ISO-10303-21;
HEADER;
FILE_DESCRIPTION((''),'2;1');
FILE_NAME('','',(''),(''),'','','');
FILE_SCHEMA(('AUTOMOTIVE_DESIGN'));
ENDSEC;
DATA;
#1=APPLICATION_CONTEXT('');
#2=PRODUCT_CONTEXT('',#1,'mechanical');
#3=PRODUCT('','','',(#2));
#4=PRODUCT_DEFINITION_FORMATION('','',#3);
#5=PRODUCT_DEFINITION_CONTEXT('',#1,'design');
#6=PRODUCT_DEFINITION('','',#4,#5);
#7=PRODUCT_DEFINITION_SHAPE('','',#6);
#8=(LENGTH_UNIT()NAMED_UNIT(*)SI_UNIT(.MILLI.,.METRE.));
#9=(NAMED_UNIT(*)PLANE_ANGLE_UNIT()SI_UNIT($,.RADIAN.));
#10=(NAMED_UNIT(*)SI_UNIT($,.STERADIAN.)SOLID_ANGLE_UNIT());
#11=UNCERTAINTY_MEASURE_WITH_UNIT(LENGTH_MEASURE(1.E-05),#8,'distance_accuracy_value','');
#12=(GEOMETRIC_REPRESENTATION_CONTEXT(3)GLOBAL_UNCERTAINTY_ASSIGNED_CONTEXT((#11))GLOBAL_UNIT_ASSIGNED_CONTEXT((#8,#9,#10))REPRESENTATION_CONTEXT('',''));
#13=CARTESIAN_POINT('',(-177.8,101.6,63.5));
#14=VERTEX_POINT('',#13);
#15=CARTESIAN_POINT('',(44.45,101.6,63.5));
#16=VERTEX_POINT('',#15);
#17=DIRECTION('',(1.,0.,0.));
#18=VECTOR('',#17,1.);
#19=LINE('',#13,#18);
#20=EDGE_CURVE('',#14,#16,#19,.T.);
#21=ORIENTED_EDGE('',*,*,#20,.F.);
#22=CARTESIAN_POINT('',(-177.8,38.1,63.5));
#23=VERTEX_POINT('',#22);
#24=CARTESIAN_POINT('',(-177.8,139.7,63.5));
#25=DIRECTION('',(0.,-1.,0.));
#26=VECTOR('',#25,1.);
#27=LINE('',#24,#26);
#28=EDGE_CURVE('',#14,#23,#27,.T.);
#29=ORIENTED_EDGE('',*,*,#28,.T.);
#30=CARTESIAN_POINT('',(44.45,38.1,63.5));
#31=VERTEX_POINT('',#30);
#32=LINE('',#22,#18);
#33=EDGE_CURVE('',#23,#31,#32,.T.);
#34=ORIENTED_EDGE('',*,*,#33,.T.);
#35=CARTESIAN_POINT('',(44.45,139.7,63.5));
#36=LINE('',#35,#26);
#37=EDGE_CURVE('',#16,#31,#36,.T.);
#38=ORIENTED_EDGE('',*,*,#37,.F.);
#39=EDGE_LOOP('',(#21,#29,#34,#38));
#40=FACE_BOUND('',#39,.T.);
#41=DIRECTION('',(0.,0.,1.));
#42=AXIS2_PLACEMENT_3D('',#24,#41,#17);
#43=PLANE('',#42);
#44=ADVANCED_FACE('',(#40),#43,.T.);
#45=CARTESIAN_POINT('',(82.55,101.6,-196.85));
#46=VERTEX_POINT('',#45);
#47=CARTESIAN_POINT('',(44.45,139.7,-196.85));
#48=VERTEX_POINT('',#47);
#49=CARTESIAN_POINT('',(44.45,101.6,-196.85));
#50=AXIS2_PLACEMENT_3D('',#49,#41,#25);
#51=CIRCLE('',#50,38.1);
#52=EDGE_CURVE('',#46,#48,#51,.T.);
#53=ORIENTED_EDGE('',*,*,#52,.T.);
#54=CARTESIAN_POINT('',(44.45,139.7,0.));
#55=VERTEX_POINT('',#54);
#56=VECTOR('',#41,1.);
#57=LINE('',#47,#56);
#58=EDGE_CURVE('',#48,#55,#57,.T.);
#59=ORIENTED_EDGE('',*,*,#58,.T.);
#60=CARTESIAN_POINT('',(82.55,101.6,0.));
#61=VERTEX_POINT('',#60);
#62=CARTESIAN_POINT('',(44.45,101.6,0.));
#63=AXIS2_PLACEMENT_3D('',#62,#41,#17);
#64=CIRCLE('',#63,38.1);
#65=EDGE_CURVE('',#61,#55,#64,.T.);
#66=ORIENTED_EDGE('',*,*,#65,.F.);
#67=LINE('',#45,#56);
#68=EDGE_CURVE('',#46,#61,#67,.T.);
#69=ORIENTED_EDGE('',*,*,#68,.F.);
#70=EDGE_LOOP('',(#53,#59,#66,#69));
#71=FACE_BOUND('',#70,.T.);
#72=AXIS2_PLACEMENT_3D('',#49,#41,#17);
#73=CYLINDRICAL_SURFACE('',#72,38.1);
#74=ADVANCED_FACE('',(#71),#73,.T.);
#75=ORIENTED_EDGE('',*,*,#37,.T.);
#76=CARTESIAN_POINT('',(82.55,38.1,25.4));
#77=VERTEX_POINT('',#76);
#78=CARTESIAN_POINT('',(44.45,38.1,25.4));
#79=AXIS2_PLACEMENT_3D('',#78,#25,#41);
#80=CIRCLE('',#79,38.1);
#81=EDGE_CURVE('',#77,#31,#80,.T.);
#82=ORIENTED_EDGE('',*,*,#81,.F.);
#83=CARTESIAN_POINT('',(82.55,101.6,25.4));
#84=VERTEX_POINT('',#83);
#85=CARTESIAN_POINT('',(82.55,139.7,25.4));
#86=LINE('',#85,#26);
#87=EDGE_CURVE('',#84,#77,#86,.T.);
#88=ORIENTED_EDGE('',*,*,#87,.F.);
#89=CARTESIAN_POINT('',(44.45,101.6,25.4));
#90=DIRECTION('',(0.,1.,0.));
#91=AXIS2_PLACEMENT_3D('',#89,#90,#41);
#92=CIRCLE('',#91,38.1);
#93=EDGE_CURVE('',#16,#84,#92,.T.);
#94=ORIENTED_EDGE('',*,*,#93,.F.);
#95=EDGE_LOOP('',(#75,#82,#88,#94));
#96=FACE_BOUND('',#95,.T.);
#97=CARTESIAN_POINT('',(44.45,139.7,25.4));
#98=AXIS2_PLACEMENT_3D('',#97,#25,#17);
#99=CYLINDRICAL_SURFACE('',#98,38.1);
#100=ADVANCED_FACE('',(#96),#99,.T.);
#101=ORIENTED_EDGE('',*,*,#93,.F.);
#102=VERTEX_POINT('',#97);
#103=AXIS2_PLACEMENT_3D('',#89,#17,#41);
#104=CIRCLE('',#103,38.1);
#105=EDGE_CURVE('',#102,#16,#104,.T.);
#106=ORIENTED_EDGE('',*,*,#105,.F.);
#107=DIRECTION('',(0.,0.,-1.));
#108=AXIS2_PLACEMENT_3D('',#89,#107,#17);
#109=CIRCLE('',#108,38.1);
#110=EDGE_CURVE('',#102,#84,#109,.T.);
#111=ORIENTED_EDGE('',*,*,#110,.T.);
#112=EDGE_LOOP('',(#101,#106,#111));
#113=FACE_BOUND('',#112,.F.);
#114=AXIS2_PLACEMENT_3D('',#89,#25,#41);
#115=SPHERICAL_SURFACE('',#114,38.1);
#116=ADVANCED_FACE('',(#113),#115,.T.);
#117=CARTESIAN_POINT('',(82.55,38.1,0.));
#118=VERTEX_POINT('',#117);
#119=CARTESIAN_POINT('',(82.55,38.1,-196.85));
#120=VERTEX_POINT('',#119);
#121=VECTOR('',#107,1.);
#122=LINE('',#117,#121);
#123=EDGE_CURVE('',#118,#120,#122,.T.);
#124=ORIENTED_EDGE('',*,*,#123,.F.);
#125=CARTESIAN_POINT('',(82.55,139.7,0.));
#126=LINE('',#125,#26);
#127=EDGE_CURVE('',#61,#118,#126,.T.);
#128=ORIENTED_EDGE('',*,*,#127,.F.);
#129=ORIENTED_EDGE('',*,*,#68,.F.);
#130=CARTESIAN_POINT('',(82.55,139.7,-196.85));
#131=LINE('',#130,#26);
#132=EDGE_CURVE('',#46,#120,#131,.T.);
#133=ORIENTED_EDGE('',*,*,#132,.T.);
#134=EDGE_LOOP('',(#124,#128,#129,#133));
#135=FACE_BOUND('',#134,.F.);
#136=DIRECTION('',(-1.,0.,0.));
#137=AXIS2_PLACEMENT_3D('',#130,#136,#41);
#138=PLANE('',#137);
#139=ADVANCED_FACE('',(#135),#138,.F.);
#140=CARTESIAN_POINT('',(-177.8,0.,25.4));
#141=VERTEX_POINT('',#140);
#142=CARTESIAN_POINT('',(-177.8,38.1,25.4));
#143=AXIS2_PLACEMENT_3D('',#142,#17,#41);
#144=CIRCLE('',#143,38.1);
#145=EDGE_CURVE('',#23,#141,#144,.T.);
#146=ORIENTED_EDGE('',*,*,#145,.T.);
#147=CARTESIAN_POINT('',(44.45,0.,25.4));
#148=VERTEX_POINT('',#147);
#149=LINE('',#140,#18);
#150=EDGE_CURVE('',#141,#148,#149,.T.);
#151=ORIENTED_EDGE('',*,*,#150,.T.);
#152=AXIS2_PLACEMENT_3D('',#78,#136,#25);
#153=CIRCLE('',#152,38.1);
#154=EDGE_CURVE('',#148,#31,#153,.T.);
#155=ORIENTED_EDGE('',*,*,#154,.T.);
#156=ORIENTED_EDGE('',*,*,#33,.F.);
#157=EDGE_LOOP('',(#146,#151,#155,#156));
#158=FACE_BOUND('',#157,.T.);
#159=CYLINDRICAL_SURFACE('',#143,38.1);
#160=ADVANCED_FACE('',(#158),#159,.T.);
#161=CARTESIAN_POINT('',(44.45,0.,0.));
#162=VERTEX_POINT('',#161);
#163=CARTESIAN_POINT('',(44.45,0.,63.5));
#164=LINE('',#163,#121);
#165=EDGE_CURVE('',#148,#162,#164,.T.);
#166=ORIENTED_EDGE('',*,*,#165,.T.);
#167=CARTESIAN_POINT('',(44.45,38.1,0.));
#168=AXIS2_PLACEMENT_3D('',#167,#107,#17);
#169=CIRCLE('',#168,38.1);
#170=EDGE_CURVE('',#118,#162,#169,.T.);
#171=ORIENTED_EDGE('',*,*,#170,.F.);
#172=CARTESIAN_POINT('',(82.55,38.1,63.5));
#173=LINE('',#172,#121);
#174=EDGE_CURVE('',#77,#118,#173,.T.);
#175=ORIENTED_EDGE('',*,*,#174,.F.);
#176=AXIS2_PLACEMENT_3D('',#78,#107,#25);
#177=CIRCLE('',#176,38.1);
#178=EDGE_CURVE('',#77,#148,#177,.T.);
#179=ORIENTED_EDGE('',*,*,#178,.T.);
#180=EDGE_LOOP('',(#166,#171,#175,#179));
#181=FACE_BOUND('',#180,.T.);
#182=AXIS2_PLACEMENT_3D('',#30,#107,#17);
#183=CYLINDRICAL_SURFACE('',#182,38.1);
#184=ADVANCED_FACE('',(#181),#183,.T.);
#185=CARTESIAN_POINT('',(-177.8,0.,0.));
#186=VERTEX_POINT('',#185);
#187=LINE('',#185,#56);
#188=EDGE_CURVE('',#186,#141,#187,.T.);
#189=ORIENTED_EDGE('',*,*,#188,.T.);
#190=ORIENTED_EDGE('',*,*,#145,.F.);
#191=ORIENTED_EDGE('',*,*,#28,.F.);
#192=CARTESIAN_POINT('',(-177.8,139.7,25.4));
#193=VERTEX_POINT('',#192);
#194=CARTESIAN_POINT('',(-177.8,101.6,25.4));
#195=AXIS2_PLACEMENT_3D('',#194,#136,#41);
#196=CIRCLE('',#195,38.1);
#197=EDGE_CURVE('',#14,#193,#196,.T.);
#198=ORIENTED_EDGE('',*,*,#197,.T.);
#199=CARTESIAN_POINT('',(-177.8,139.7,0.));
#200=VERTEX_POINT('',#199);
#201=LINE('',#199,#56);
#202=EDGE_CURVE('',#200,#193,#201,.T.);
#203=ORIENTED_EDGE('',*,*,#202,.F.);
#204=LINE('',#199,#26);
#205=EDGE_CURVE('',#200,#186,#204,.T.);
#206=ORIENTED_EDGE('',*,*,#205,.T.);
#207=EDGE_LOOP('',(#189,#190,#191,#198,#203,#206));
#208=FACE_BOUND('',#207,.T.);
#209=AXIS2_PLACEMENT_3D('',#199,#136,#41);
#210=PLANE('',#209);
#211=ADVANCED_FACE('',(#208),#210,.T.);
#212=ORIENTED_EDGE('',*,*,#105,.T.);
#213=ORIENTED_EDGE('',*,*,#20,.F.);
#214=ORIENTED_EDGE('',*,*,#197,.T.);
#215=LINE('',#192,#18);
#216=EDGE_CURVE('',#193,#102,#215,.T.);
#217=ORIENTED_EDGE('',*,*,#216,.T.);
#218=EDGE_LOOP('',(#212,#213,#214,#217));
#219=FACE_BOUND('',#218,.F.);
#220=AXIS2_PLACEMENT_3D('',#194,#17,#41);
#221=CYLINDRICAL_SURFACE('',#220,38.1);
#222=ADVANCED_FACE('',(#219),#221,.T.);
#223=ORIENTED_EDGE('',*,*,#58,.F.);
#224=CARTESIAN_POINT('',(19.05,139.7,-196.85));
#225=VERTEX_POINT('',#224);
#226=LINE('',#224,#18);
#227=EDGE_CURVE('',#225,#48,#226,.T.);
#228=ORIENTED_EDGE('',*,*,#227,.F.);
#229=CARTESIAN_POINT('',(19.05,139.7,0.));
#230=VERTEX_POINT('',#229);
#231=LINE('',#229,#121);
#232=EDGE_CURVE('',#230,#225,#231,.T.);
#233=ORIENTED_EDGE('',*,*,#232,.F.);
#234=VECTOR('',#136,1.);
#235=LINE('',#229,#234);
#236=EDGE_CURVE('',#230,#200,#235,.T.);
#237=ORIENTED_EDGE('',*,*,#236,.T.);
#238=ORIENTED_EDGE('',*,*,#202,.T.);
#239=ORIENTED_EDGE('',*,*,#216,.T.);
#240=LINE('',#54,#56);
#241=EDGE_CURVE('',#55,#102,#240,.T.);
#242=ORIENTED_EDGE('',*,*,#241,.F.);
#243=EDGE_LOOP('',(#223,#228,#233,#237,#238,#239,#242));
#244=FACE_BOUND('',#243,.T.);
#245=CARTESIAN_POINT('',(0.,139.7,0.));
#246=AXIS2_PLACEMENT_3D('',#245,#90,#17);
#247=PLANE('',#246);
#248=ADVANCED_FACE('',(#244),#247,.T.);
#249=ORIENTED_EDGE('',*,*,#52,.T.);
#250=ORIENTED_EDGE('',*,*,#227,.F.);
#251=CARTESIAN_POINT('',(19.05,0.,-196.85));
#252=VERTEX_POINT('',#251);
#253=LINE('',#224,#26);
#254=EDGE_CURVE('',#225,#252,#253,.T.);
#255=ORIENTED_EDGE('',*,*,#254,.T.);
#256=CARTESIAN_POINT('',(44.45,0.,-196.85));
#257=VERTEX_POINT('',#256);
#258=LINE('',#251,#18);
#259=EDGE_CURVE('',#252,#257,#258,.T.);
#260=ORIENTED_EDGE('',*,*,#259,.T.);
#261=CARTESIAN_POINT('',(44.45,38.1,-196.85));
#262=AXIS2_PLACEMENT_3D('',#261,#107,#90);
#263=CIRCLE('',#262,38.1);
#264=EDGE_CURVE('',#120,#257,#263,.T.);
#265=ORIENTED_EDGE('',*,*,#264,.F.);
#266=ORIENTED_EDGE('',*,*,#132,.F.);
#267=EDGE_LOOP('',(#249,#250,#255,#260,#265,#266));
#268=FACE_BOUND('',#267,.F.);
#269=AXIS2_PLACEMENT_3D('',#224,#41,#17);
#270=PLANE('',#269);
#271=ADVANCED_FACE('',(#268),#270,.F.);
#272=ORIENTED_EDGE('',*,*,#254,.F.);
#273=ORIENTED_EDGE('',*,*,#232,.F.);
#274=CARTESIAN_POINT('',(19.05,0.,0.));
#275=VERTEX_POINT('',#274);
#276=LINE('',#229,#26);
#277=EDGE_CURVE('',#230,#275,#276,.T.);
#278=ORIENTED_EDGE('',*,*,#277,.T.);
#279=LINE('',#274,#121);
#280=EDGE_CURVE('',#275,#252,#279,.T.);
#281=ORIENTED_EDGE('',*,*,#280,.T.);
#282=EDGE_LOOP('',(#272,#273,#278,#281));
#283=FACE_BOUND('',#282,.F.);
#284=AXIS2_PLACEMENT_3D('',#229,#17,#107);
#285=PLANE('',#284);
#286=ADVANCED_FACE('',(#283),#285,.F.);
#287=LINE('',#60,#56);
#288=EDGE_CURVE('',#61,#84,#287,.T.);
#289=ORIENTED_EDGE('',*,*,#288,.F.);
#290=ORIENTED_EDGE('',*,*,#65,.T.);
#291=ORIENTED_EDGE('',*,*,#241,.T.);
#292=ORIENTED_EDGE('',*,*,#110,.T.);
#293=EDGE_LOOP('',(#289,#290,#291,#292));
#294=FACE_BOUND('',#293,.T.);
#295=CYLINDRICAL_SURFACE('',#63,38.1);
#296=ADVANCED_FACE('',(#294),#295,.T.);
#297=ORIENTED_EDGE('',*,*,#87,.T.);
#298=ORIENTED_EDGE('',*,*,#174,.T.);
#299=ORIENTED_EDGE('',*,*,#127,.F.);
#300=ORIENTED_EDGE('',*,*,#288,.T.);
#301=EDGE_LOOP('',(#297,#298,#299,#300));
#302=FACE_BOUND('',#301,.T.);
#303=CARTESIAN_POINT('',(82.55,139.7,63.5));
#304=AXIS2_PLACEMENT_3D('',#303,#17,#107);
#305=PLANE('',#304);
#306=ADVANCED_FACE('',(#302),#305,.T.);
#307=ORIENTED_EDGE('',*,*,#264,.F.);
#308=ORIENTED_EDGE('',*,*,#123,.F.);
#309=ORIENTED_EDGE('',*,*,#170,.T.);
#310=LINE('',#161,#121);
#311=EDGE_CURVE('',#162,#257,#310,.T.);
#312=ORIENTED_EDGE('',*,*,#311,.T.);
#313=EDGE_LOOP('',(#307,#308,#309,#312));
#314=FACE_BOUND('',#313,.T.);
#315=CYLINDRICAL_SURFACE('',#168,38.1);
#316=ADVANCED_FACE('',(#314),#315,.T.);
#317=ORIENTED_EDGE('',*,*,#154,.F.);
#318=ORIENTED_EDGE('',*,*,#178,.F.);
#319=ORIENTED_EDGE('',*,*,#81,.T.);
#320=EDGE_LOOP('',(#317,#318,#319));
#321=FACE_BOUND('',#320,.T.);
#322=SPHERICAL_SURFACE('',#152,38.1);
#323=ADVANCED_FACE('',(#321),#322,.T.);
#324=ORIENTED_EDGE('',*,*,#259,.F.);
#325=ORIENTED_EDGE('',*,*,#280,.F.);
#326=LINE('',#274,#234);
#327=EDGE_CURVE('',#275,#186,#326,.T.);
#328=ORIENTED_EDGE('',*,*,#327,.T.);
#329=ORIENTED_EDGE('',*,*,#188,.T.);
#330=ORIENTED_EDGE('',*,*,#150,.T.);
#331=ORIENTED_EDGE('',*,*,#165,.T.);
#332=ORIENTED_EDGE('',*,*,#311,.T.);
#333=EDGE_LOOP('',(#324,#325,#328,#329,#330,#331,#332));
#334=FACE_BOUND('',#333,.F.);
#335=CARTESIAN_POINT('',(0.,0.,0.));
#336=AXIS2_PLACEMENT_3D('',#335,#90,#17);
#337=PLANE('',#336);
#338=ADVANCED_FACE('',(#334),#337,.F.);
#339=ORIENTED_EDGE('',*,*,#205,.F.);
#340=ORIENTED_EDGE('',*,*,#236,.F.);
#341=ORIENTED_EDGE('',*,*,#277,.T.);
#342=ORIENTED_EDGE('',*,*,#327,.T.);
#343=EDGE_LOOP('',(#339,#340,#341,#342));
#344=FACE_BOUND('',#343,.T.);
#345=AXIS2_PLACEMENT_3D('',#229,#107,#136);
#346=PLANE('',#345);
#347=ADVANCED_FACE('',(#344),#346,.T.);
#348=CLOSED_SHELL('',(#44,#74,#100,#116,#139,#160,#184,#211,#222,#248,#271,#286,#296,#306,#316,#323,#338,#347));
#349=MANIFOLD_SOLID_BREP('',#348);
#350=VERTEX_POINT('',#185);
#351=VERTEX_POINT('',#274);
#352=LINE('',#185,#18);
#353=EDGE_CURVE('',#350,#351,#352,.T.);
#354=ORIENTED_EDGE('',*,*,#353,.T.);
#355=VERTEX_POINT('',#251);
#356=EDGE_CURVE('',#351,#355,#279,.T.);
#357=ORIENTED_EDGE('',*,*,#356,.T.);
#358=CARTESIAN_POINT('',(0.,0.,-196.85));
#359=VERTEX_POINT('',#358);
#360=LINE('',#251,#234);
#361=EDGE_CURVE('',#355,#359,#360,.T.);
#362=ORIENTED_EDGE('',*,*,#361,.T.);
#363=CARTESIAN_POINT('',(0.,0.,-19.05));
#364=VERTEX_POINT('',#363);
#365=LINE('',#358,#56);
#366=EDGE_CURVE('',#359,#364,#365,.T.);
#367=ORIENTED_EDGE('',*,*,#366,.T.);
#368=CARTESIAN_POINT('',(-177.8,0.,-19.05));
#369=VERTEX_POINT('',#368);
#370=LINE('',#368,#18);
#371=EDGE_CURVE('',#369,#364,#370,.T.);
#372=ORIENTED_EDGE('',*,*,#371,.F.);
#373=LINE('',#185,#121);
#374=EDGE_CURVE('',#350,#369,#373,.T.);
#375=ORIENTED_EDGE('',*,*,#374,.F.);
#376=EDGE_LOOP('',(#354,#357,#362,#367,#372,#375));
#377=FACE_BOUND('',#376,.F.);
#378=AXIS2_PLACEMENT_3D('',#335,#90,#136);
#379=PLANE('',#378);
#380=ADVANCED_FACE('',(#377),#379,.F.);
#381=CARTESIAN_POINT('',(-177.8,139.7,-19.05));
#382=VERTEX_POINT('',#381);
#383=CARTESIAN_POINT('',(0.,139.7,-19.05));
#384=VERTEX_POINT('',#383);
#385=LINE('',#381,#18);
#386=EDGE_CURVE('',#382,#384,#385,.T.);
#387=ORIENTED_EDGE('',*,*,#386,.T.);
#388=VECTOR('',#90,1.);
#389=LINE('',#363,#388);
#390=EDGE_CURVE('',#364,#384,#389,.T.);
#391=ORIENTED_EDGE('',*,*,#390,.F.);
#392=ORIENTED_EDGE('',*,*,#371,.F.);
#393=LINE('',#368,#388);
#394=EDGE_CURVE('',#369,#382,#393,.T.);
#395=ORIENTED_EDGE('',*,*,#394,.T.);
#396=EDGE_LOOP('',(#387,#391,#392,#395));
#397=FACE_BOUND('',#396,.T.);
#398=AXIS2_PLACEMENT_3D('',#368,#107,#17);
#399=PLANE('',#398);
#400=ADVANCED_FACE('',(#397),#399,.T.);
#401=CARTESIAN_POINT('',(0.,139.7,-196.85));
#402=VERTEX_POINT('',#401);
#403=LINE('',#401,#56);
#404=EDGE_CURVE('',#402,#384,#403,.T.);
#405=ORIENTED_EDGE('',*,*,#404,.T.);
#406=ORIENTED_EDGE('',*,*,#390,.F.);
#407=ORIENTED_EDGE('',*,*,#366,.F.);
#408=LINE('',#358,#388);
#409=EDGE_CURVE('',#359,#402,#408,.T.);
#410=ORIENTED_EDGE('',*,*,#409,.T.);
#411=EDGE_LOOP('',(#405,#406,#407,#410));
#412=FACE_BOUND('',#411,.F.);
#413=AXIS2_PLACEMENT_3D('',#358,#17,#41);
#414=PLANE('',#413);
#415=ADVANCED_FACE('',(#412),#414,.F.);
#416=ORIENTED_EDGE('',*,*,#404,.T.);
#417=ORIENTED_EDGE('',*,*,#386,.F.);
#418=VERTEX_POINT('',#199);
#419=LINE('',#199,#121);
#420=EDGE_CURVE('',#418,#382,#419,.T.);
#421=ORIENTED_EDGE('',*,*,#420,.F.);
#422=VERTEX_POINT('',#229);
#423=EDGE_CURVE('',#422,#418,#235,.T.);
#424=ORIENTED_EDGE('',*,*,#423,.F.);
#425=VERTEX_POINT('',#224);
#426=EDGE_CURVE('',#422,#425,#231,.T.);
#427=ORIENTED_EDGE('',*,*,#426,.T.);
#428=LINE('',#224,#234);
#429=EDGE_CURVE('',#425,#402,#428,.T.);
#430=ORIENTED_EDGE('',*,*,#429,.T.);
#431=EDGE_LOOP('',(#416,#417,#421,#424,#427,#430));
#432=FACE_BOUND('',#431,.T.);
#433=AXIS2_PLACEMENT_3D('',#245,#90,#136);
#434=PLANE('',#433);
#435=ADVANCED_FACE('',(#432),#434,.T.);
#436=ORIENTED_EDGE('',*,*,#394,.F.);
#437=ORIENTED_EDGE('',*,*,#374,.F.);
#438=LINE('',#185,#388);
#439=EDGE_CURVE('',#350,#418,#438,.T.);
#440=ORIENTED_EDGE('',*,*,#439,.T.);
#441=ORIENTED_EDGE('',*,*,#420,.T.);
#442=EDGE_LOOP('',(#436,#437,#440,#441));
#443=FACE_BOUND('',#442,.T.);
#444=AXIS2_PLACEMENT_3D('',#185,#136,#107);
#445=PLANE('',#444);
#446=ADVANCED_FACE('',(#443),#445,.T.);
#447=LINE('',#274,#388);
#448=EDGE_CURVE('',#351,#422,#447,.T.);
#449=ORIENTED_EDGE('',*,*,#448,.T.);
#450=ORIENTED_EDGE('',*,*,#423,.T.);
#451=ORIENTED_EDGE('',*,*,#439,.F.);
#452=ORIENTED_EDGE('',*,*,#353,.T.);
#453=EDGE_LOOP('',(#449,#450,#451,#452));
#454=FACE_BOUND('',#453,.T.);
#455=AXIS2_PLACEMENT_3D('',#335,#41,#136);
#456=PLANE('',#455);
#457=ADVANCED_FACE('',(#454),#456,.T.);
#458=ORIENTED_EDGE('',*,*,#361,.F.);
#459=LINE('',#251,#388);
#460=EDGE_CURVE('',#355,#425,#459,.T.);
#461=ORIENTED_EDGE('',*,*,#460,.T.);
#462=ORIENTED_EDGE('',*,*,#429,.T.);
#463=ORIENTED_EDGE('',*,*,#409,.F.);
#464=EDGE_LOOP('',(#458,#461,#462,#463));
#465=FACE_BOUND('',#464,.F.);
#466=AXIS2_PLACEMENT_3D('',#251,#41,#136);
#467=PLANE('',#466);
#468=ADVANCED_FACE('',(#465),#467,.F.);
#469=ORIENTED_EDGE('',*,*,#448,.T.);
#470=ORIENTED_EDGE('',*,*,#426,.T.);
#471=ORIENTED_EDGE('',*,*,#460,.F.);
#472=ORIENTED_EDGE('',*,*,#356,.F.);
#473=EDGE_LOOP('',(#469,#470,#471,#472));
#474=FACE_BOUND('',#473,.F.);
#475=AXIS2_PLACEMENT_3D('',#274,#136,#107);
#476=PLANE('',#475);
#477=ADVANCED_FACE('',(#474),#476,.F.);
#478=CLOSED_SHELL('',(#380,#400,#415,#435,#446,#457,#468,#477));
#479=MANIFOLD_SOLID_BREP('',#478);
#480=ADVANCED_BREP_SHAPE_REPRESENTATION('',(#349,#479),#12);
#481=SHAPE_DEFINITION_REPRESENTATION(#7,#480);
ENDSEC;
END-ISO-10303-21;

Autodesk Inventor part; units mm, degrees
ref_plane "YZ Plane" through (0, 0, 0) normal (1, 0, 0) x (0, 1, 0)
ref_plane "XZ Plane" through (0, 0, 0) normal (0, 1, 0) x (-1, 0, 0)
ref_plane "XY Plane" through (0, 0, 0) normal (0, 0, 1) x (1, 0, 0)
sketch "Sketch1" plane through (0, 0, 0) normal (0, 1, 0) x (-1, 0, 0)
  line L0 (0, 0) -> (177.8, 0)
  line L1 (177.8, 0) -> (177.8, -19.05)
  line L2 (177.8, -19.05) -> (0, -19.05)
  line L3 (0, -19.05) -> (0, 0)
  line L4 (0, 0) -> (-19.05, 0)
  line L5 (-19.05, 0) -> (-19.05, -196.85)
  line L6 (-19.05, -196.85) -> (0, -196.85)
  line L7 (0, -196.85) -> (0, 0)
  dimension "d0" = 177.8
  dimension "d1" = 19.05
  dimension "d2" = 19.05
  dimension "d3" = 196.85
extrude "Extrusion1" add sketch "Sketch1" along normal blind 139.7
sketch "Sketch3" plane through (0, 139.7, 0) normal (0, 1, 0) x (1, 0, 0)
  line L0 (19.05, 0) -> (19.05, 196.85) projected
  line L1 (19.05, 196.85) -> (82.55, 196.85)
  line L2 (82.55, 196.85) -> (82.55, 0)
  line L3 (19.05, 0) -> (19.05, 196.85)
  line L4 (-177.8, 0) -> (-177.8, -63.5)
  line L5 (-177.8, -63.5) -> (82.55, -63.5)
  line L6 (82.55, -63.5) -> (82.55, 0)
  line L7 (19.05, 196.85) -> (19.05, 0)
  line L8 (19.05, 0) -> (-177.8, 0)
  point P0 (0, 0)
  dimension "d11" = 63.5
  dimension "d12" = 260.35
  dimension "d13" = 63.5
extrude "Extrusion3" add sketch "Sketch3" against normal blind 139.7 separate body
fillet "Fillet1" radius 38.1 5 edges at (-47.625, 0, 63.5) (82.55, 0, 31.75) (82.55, 69.85, 63.5) (-47.625, 139.7, 63.5) (82.55, 139.7, -98.425)
properties part number "bumpers"
